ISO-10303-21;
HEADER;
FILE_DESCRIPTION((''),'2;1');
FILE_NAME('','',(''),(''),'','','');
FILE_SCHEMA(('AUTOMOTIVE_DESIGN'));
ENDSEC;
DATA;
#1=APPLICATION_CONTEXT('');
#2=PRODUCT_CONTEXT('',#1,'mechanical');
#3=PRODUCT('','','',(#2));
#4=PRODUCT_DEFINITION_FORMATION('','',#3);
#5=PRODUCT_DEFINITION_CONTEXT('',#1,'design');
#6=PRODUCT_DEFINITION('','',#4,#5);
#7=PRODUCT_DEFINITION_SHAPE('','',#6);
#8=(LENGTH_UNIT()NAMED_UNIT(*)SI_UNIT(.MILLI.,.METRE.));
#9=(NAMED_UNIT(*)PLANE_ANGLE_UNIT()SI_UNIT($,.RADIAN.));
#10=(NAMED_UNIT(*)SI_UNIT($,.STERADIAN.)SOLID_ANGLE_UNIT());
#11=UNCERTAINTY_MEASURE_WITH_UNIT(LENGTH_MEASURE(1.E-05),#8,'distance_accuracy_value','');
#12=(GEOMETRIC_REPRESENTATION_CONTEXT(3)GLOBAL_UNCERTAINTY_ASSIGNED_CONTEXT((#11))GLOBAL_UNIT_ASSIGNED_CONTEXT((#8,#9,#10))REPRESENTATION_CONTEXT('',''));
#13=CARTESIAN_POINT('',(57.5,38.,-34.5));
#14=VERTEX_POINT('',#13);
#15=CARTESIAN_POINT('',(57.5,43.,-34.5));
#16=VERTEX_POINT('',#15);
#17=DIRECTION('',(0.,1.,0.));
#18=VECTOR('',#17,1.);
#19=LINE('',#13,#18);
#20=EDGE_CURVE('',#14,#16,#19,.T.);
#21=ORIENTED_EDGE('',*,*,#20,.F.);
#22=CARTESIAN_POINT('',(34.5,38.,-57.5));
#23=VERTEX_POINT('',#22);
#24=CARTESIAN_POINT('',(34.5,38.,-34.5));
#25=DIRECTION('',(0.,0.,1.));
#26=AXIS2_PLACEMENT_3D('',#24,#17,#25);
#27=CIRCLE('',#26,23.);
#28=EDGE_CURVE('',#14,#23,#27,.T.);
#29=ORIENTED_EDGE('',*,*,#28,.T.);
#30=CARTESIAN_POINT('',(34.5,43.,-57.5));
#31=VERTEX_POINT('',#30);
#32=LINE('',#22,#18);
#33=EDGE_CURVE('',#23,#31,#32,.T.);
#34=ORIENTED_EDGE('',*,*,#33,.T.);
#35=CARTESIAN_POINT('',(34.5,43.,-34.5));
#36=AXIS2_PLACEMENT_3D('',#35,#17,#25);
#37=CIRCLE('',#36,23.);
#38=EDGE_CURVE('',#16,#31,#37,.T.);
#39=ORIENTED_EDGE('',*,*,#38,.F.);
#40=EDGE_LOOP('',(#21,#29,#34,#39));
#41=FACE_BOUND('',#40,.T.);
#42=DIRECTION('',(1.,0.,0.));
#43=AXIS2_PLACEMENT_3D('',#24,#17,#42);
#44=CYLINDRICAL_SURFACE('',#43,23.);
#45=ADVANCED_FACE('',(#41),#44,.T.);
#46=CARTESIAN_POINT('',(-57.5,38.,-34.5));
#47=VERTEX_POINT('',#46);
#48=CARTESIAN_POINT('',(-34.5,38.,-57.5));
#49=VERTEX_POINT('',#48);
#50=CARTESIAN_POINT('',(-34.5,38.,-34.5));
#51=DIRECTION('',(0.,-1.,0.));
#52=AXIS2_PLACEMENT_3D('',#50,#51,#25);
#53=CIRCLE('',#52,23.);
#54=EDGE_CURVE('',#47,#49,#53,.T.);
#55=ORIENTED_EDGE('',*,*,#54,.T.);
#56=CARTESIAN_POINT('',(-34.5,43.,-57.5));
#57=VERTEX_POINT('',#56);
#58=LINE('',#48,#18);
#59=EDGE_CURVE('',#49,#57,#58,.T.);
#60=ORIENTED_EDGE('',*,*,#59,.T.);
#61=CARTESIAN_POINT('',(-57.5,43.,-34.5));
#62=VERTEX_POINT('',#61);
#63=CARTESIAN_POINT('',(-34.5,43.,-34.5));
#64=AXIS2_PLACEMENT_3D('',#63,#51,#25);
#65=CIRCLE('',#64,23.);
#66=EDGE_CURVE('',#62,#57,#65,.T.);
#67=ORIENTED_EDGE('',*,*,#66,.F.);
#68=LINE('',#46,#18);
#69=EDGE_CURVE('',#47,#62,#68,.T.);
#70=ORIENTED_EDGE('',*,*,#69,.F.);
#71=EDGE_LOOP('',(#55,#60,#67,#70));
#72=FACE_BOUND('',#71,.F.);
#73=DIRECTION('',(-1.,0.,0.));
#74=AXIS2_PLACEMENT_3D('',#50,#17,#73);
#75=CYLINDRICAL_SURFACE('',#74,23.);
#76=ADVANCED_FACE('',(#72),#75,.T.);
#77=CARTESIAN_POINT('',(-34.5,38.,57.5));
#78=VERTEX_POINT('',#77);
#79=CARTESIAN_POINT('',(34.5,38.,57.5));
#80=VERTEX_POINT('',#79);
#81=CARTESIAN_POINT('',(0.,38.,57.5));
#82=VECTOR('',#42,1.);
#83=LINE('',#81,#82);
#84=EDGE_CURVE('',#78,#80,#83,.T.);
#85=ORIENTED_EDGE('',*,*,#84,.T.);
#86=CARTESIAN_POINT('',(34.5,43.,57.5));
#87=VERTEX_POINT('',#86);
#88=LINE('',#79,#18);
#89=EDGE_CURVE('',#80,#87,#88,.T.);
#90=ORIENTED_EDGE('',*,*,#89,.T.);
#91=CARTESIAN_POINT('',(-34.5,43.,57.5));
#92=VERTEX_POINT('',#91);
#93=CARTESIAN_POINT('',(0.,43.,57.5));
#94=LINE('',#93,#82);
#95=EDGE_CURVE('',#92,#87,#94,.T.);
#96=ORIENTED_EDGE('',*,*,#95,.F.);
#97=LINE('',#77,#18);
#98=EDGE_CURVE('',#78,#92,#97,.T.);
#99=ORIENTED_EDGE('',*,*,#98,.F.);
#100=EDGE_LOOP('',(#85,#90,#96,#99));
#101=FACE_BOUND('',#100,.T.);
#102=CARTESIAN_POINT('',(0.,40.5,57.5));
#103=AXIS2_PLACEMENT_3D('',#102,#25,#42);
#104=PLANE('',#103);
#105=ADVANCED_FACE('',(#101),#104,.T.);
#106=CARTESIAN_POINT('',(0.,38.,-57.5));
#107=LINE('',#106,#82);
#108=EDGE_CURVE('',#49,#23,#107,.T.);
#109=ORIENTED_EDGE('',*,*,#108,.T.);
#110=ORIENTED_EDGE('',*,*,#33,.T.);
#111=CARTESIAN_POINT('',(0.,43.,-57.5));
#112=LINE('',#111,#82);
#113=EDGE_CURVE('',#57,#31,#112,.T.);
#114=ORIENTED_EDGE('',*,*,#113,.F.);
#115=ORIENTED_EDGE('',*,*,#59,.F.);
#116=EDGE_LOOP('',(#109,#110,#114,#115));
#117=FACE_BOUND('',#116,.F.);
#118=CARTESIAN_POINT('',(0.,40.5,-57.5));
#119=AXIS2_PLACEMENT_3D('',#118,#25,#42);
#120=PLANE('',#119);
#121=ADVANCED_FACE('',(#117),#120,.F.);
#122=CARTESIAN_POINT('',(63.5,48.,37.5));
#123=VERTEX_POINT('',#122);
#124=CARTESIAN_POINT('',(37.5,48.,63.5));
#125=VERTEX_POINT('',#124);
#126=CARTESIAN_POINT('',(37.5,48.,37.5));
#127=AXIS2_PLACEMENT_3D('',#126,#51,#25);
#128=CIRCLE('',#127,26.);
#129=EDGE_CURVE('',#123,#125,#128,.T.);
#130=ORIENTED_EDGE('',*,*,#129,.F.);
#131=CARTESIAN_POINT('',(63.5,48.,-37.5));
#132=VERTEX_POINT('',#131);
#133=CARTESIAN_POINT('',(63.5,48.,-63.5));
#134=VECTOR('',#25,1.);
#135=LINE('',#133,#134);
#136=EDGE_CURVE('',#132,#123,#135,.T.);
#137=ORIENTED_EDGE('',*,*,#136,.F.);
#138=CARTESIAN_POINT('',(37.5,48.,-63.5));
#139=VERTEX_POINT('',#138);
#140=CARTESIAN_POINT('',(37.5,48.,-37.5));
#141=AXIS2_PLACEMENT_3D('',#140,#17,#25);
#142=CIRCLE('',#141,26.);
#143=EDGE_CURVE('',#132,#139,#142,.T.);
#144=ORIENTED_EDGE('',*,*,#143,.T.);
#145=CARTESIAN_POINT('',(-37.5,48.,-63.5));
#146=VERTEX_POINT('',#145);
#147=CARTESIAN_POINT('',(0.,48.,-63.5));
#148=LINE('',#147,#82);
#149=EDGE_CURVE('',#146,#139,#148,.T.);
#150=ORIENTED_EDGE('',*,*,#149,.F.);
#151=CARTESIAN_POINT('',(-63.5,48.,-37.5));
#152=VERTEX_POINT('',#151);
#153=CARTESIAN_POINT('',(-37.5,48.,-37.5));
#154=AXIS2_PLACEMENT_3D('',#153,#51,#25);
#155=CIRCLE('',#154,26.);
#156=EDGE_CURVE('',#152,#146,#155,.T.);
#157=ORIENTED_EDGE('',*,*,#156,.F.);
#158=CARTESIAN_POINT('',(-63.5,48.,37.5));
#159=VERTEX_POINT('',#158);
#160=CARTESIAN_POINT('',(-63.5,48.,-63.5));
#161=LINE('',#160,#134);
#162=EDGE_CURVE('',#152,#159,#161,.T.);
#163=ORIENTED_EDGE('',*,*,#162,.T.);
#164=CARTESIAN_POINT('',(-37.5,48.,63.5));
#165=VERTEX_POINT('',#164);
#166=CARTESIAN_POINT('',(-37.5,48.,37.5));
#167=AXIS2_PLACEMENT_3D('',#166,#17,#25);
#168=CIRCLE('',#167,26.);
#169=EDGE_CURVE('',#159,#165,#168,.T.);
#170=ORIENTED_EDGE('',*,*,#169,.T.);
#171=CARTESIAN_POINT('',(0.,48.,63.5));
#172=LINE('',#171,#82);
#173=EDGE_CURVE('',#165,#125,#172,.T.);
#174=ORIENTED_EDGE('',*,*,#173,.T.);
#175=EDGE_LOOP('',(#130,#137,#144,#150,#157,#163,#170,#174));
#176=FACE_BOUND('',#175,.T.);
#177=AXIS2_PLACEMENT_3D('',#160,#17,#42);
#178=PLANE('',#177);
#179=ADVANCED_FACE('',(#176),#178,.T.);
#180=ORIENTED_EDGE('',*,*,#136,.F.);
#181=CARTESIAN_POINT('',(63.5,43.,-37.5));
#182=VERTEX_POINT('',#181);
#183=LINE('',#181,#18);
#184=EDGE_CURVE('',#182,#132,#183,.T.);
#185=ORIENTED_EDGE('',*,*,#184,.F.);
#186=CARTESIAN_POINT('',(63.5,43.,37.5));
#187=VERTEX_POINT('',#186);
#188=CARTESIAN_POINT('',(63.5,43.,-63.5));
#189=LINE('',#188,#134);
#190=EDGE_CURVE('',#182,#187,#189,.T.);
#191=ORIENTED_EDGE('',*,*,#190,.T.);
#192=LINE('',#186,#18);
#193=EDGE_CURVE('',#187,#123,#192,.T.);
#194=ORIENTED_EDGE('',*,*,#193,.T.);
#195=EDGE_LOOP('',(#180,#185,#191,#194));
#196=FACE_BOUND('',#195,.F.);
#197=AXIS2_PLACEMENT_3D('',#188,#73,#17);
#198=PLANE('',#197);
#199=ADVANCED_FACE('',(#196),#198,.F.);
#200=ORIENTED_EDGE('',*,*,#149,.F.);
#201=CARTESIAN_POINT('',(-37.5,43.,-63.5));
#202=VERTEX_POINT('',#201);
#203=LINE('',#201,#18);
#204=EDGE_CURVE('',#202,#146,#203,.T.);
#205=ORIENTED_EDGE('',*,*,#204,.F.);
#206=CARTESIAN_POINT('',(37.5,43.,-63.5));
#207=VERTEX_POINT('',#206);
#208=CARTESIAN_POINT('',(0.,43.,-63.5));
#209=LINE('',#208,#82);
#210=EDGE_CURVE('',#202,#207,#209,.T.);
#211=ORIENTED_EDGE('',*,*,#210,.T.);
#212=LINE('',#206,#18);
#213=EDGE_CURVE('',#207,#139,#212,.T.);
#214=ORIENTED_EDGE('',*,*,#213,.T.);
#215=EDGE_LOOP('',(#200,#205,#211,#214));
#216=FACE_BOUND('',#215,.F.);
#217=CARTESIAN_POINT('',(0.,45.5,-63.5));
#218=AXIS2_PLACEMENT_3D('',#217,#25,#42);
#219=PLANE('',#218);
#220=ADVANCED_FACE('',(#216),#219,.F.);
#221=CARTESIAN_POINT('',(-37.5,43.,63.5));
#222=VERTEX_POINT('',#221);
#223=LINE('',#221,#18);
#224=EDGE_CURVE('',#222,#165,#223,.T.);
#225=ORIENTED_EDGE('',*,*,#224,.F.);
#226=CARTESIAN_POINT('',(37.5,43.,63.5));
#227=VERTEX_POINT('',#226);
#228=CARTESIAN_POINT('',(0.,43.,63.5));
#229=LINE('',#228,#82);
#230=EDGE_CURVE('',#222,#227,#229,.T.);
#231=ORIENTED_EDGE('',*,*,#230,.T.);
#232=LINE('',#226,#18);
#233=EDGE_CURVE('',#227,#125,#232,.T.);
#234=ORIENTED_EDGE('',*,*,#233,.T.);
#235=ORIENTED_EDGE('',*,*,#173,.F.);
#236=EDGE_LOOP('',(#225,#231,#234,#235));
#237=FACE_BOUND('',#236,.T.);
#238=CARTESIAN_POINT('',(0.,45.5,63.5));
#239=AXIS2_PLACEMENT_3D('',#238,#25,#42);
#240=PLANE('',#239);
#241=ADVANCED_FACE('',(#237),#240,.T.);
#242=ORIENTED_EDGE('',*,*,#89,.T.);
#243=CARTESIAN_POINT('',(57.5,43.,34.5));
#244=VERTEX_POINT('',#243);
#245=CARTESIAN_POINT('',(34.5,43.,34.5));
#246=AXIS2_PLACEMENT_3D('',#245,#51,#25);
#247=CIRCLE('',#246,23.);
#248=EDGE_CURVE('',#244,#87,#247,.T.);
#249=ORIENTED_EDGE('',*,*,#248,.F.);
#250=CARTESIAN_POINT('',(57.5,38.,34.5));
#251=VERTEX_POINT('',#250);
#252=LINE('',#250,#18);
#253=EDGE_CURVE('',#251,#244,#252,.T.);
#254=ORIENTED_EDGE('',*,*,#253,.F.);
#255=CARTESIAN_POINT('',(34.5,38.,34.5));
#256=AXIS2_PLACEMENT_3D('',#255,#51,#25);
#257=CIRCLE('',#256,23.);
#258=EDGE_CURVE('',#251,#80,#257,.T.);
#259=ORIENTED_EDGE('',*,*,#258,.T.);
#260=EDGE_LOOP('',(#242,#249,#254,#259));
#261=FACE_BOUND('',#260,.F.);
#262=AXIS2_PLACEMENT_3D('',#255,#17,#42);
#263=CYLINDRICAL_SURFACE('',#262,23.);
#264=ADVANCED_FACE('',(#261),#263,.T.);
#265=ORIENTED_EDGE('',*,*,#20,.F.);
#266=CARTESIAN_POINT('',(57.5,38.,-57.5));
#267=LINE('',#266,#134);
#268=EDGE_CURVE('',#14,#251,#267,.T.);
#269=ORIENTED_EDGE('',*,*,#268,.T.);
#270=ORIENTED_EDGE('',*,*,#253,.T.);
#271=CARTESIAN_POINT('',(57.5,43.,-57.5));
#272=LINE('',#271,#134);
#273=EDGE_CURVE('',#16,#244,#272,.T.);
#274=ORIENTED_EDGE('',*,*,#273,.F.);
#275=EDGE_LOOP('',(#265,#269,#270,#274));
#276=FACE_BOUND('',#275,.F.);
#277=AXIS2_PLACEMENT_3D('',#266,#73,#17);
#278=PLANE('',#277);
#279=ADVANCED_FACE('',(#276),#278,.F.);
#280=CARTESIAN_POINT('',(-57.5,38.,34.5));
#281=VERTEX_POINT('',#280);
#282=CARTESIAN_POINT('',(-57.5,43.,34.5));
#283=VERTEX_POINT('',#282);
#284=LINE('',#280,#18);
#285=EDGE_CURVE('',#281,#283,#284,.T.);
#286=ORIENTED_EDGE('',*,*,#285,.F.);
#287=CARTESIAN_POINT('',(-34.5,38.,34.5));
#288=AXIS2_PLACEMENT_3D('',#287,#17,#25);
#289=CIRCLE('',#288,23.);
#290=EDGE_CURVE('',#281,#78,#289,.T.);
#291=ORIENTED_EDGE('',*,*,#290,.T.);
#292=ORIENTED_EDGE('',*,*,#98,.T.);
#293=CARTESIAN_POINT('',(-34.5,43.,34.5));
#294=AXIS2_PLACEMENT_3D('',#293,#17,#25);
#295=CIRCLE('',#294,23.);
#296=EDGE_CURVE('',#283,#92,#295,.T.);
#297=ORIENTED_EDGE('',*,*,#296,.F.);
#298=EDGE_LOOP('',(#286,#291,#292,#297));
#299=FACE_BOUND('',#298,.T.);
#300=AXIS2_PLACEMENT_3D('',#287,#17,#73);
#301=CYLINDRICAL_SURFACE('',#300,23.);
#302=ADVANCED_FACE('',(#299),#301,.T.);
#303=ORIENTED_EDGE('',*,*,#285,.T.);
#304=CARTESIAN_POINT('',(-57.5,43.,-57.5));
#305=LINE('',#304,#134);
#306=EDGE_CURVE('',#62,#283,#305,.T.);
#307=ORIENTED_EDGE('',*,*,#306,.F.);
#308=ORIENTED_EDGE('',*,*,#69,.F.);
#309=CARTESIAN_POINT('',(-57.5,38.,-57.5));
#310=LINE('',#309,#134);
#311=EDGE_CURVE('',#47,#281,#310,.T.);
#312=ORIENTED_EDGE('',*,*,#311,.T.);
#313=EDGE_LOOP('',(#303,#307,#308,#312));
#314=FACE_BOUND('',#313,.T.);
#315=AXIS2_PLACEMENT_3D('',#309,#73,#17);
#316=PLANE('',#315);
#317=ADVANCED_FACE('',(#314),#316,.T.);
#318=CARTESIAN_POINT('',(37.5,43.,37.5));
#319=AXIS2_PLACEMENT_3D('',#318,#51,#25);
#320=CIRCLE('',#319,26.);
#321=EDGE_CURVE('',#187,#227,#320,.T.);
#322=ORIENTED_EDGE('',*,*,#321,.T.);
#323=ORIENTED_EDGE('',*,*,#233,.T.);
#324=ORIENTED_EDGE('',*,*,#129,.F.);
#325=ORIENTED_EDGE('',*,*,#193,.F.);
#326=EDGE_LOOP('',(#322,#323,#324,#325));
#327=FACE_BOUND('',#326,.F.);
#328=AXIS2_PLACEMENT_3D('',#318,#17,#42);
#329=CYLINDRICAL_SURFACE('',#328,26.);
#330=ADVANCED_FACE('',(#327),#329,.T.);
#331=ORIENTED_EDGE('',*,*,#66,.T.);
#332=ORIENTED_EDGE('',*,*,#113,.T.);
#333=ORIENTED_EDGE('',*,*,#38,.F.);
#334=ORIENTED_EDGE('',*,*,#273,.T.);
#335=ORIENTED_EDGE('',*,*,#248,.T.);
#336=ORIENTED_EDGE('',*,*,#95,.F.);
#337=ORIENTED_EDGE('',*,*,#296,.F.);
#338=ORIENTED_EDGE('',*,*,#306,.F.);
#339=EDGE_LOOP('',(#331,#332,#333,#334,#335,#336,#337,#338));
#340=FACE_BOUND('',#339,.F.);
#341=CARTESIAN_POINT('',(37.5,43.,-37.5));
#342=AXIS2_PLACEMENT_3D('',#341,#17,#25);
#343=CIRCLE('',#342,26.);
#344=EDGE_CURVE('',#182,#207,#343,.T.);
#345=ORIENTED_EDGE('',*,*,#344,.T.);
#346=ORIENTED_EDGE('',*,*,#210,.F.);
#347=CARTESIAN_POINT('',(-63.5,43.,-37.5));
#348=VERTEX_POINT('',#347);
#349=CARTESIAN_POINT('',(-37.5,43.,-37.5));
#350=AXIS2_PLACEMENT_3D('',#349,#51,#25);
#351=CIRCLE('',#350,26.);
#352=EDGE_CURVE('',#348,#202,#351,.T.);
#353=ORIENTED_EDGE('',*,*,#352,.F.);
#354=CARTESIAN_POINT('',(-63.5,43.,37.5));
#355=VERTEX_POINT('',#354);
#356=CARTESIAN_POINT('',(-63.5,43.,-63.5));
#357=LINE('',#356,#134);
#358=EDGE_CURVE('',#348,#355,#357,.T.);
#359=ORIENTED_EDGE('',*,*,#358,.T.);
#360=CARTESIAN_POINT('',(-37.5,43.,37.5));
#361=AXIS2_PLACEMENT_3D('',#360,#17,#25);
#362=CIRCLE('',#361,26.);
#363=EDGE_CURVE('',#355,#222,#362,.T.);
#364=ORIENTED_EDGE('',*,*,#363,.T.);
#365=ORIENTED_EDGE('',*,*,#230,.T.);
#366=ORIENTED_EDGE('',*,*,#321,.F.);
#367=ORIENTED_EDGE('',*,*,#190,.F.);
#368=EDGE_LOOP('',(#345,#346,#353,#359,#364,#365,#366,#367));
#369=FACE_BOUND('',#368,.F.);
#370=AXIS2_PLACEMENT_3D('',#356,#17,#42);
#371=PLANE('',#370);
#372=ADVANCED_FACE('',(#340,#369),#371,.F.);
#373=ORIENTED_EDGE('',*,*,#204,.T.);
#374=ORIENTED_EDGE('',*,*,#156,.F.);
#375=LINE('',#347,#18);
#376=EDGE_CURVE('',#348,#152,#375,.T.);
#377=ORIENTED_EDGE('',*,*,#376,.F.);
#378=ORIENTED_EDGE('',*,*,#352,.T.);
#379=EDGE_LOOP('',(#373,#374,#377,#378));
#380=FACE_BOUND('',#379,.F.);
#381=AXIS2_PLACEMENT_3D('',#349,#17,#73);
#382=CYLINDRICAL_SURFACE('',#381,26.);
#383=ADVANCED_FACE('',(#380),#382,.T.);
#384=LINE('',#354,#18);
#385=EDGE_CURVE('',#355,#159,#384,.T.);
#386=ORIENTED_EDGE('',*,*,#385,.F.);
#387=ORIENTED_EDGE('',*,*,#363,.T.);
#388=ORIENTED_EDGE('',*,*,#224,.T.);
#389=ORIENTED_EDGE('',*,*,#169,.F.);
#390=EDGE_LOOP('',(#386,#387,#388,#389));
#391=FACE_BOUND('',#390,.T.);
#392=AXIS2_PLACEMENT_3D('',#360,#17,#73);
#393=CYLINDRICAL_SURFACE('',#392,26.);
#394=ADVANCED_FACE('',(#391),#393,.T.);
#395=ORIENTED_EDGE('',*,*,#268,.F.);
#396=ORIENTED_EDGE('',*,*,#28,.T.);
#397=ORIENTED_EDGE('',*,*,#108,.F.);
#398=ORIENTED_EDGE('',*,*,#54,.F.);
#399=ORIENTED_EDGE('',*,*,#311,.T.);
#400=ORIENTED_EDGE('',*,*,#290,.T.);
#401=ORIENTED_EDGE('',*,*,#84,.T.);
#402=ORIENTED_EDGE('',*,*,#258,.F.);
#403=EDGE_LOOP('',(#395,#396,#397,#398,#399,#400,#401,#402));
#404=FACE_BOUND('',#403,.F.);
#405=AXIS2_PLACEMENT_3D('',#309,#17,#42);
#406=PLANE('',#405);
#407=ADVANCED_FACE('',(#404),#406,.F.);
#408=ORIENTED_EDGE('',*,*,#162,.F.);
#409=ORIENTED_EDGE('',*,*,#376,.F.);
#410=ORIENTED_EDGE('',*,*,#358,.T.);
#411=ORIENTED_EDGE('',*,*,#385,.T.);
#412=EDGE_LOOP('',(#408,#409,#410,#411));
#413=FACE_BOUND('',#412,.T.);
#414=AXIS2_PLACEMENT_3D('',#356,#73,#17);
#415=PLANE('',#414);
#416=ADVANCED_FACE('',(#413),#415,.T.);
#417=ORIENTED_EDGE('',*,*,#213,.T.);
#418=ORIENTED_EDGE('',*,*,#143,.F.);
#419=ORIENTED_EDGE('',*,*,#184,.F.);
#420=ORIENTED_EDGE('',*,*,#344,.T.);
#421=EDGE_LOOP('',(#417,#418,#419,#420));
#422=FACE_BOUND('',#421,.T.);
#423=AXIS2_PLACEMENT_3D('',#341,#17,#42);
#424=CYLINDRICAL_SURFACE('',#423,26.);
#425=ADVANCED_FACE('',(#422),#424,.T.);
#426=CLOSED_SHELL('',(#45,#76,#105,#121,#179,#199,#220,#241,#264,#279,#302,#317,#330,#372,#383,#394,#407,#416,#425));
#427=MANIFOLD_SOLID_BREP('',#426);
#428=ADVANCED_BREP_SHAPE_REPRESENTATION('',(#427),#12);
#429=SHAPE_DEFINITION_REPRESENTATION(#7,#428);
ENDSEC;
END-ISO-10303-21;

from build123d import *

# Parameters (mm, degrees)
BOX003_W     = 115
BOX003_H     = 5
BOX003_DEPTH = 115
FILLET003_R  = 23
BOX002_W     = 127
BOX002_H     = 5
BOX002_DEPTH = 127
FILLET002_R  = 26


with BuildPart() as inside001:
    # Box003 → Box003 (new body)
    with BuildSketch(Plane(origin=(-57.5, 20, -57.5), x_dir=(1, 0, 0), z_dir=(0, 0, 1))):
        with Locations((57.5, 2.5)):
            Rectangle(BOX003_W, BOX003_H)
    extrude(amount=BOX003_DEPTH)

    # Fillet003
    fillet003_edges = [inside001.edges().sort_by_distance(p)[0] for p in [
        (-57.5, 22.5, 57.5),
        (-57.5, 22.5, -57.5),
        (57.5, 22.5, 57.5),
        (57.5, 22.5, -57.5),
    ]]
    fillet(fillet003_edges, radius=FILLET003_R)


with BuildPart() as cover:
    # Box002 → Box002 (new body)
    with BuildSketch(Plane(origin=(-63.5, 25, -63.5), x_dir=(1, 0, 0), z_dir=(0, 0, 1))):
        with Locations((63.5, 2.5)):
            Rectangle(BOX002_W, BOX002_H)
    extrude(amount=BOX002_DEPTH)

    # Fillet002
    fillet002_edges = [cover.edges().sort_by_distance(p)[0] for p in [
        (-63.5, 27.5, 63.5),
        (-63.5, 27.5, -63.5),
        (63.5, 27.5, 63.5),
        (63.5, 27.5, -63.5),
    ]]
    fillet(fillet002_edges, radius=FILLET002_R)

    # Fusion: union Inside001
    add(inside001.part)


with BuildPart() as cover_1:
    # Fusion placement: moved
    add(cover.part.moved(Location((0, 18, 0))))


solid = cover_1.part
